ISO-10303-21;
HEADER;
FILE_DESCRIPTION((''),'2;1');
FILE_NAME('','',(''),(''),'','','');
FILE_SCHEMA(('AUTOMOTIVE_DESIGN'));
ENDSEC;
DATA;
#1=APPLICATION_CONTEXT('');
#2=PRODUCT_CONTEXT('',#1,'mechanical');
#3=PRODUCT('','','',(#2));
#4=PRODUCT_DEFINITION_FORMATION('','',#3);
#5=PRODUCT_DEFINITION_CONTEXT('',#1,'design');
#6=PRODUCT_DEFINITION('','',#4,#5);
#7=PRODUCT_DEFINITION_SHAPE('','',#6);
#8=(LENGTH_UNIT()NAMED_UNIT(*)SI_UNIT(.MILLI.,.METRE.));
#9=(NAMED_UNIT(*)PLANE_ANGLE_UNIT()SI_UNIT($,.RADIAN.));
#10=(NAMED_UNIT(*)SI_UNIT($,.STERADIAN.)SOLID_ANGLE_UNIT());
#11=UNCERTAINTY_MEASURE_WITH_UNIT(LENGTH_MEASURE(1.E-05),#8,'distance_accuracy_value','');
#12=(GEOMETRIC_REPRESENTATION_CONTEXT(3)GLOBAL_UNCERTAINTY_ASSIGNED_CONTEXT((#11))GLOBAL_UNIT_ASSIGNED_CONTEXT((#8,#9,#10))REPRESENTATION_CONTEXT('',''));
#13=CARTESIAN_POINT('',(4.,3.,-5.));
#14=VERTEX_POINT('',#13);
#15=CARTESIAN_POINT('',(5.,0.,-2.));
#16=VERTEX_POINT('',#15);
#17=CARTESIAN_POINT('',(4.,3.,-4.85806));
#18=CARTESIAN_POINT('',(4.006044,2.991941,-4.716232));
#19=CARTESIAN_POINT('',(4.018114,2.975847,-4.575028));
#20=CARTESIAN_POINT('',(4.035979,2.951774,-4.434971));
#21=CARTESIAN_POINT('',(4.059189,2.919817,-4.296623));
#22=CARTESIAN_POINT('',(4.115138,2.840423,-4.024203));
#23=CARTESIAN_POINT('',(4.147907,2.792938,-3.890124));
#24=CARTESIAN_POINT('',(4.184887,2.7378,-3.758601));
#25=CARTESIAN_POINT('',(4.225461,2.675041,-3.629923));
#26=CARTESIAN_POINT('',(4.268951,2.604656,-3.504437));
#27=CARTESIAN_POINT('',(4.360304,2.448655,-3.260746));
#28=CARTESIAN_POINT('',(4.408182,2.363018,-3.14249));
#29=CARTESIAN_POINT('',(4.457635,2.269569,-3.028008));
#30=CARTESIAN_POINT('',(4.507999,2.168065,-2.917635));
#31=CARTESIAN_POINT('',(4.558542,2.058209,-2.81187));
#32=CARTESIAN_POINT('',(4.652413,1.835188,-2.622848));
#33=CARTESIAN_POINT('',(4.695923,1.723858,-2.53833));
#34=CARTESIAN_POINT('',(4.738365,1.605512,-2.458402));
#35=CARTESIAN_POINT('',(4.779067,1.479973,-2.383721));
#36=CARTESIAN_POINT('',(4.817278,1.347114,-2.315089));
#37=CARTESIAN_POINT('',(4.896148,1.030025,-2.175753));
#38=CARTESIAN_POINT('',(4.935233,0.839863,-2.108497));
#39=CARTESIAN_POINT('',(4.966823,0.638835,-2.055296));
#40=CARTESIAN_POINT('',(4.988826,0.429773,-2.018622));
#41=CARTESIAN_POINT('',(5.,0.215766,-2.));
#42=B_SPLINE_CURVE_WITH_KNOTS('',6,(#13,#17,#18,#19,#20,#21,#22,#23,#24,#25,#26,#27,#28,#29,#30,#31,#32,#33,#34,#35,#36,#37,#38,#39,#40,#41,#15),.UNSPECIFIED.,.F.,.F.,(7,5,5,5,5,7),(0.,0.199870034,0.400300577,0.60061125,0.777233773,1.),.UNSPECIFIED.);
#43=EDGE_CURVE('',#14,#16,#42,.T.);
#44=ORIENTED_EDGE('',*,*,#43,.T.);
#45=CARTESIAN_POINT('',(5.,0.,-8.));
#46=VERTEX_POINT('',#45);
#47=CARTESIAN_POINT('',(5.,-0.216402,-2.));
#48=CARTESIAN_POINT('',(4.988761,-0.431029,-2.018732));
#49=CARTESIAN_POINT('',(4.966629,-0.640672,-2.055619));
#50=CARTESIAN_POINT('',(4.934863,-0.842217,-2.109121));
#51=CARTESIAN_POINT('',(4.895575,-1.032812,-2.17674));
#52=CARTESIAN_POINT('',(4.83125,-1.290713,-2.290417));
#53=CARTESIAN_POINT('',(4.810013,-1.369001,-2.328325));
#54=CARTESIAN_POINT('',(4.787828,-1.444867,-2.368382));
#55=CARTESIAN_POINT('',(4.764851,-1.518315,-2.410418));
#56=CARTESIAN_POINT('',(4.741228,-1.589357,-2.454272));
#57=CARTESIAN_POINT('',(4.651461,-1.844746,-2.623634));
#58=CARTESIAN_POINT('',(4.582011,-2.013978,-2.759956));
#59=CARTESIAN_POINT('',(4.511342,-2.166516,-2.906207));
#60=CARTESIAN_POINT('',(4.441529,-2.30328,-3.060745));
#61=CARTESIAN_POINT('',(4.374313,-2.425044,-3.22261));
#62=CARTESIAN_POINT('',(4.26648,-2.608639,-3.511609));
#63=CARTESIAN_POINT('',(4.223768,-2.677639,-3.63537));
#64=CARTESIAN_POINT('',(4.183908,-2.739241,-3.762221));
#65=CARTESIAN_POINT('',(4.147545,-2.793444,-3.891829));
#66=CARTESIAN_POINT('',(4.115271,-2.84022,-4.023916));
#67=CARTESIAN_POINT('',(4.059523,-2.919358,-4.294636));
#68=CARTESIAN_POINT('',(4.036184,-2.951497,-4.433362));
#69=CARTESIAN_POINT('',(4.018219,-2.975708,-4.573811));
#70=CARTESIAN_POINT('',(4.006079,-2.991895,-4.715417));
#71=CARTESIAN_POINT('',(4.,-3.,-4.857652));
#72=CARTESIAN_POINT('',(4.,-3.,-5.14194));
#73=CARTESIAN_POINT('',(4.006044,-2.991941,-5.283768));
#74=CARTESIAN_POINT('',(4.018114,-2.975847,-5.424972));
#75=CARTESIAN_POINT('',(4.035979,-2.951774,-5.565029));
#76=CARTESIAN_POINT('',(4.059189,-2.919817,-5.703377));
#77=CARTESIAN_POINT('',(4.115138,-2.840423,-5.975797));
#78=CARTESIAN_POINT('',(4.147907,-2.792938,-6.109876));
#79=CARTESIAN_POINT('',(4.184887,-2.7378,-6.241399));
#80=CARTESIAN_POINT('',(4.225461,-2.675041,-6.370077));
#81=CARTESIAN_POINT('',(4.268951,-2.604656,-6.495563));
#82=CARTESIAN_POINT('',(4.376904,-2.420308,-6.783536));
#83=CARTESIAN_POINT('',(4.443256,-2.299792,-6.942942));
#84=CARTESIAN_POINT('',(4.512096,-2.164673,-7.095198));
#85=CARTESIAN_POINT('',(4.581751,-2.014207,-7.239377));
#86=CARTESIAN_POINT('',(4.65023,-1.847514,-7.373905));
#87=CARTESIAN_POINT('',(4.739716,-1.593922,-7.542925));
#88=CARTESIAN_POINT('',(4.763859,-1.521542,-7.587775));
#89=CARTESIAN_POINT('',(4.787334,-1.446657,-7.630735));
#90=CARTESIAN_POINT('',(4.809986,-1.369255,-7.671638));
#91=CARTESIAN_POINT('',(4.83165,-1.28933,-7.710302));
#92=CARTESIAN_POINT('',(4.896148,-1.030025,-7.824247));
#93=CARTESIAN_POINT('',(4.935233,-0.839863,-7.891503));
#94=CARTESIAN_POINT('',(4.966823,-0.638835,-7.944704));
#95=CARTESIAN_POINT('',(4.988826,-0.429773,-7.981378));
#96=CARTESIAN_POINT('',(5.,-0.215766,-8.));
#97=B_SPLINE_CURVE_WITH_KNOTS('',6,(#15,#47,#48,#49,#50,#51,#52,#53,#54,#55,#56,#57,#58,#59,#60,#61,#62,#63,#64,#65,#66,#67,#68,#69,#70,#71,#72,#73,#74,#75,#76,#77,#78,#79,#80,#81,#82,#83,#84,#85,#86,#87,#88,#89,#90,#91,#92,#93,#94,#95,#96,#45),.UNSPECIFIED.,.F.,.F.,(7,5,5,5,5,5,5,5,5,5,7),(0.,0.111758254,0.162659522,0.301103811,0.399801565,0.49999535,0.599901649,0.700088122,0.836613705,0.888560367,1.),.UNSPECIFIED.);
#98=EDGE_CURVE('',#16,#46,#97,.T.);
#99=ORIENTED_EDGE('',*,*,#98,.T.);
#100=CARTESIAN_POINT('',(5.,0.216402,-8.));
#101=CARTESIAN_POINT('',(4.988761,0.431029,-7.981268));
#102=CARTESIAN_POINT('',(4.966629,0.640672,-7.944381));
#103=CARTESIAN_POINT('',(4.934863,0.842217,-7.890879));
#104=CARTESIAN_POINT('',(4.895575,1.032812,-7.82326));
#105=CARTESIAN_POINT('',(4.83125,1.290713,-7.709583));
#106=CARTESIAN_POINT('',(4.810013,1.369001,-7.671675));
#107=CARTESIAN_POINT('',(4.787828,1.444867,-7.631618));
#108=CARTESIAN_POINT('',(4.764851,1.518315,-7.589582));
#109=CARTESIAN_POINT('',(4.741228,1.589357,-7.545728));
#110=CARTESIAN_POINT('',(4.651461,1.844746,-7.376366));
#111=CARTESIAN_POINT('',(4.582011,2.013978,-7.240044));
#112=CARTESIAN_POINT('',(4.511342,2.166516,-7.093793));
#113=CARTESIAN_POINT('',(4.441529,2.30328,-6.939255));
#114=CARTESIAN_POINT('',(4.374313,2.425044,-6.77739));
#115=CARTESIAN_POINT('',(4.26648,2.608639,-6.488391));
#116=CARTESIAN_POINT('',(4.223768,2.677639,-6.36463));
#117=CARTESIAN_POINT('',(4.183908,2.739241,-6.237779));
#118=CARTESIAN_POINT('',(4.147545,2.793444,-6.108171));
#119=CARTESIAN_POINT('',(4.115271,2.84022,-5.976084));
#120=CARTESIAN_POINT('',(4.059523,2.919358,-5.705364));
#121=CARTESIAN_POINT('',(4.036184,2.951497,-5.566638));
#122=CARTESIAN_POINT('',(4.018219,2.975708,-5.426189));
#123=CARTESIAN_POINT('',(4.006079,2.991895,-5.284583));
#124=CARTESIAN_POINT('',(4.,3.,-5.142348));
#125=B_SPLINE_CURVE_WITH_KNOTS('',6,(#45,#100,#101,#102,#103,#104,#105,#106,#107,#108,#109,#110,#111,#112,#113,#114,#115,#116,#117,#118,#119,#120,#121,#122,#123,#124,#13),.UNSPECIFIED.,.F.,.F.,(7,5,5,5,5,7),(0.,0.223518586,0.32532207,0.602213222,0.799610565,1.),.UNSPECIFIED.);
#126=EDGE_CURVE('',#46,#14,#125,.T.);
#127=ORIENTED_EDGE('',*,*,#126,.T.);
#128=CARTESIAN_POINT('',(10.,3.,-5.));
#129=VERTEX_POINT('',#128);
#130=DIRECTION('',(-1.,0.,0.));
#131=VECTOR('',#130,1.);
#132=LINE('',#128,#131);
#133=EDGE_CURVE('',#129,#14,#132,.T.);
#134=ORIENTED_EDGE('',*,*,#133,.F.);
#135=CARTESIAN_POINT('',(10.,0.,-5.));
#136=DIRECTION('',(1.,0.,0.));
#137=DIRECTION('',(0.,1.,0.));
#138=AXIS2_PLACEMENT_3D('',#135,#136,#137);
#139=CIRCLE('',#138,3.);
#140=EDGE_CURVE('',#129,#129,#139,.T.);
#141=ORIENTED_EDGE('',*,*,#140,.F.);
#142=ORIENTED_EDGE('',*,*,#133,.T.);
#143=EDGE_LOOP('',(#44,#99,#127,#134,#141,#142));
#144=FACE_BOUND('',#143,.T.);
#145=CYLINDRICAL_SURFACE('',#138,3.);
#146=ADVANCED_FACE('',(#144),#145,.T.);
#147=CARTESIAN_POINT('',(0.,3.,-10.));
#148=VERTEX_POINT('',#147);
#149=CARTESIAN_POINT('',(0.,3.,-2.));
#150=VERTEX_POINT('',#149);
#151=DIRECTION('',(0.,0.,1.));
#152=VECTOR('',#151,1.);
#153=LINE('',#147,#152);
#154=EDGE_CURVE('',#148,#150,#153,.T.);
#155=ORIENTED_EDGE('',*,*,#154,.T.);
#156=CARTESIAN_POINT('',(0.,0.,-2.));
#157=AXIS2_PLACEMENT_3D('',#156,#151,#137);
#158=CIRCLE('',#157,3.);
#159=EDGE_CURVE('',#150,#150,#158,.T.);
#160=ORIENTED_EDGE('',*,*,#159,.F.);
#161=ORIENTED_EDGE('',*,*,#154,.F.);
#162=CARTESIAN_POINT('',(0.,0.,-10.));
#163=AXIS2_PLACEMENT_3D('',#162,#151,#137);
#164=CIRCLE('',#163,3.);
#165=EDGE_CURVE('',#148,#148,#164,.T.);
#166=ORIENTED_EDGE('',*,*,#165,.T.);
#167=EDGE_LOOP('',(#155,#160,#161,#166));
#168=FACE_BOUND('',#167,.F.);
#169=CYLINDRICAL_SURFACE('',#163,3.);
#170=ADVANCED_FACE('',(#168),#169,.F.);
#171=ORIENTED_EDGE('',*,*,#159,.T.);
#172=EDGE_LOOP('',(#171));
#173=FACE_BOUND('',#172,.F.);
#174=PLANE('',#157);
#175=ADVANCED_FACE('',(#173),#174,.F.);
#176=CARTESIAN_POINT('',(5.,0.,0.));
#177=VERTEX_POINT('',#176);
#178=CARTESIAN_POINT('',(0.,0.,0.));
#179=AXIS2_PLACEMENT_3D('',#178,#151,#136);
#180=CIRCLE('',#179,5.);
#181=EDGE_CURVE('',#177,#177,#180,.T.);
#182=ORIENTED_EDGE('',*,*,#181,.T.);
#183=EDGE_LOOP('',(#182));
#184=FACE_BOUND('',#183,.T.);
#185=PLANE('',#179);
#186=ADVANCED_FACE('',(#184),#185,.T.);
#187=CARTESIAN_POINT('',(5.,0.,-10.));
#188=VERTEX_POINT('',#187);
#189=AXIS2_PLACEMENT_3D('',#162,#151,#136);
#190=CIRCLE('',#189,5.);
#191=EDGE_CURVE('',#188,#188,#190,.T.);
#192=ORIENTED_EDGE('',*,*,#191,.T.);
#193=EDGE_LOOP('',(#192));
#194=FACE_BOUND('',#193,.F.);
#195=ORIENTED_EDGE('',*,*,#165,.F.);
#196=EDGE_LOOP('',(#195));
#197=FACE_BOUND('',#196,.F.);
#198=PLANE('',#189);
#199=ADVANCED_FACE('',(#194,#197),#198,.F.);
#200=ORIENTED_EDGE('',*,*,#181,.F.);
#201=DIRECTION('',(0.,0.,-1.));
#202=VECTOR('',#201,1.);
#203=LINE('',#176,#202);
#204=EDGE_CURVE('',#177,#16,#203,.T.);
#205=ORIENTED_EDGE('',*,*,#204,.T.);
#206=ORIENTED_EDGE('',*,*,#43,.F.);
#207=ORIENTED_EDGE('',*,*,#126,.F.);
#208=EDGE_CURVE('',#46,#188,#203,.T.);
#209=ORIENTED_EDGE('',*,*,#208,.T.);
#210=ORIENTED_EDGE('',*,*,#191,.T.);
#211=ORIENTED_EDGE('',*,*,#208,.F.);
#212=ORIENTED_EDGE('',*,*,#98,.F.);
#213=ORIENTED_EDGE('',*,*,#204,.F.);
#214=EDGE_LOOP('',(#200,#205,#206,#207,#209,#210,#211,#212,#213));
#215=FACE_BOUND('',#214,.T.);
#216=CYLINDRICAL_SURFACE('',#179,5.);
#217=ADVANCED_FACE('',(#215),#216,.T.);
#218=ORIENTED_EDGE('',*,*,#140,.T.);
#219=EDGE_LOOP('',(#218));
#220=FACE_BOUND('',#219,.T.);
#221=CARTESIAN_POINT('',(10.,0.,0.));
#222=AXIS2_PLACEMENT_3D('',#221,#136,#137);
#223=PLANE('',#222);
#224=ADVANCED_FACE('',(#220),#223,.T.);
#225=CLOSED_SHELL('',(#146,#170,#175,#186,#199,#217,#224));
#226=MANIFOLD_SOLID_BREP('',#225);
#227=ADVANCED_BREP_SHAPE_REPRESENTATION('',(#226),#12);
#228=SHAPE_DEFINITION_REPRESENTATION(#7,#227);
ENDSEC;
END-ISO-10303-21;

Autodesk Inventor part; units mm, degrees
ref_plane "XZ Plane" through (0, 0, 0) normal (0, 1, 0) x (-1, 0, 0)
ref_plane "XY Plane" through (0, 0, 0) normal (0, 0, 1) x (1, 0, 0)
sketch "Sketch1" plane through (0, 0, 0) normal (0, 0, 1) x (1, 0, 0)
  circle A0 centre (0, 0) radius 5
  dimension "d0" = 10
extrude "Extrusion1" add sketch "Sketch1" against normal blind 10
sketch "Sketch2" plane through (0, 0, -10) normal (0, 0, -1) x (-1, 0, 0)
  circle A0 centre (0, 0) radius 5 projected
hole "Hole1" at (0, 0, -10) direction (0, 0, 1) diameter 6 depth 8
ref_plane "Work Plane1" through (10, 0, 0) normal (1, 0, 0) x (0, 1, 0)
sketch "Sketch3" plane through (10, 0, 0) normal (1, 0, 0) x (0, 1, 0)
  circle A0 centre (0, -5) radius 3
  line L0 (5, 0) -> (5, -10) projected
  point P0 (0, 0)
  point P1 (5, -5)
  dimension "d11" = 6
extrude "Extrusion2" add sketch "Sketch3" against normal up to surface
properties part number "verbindungoben"
